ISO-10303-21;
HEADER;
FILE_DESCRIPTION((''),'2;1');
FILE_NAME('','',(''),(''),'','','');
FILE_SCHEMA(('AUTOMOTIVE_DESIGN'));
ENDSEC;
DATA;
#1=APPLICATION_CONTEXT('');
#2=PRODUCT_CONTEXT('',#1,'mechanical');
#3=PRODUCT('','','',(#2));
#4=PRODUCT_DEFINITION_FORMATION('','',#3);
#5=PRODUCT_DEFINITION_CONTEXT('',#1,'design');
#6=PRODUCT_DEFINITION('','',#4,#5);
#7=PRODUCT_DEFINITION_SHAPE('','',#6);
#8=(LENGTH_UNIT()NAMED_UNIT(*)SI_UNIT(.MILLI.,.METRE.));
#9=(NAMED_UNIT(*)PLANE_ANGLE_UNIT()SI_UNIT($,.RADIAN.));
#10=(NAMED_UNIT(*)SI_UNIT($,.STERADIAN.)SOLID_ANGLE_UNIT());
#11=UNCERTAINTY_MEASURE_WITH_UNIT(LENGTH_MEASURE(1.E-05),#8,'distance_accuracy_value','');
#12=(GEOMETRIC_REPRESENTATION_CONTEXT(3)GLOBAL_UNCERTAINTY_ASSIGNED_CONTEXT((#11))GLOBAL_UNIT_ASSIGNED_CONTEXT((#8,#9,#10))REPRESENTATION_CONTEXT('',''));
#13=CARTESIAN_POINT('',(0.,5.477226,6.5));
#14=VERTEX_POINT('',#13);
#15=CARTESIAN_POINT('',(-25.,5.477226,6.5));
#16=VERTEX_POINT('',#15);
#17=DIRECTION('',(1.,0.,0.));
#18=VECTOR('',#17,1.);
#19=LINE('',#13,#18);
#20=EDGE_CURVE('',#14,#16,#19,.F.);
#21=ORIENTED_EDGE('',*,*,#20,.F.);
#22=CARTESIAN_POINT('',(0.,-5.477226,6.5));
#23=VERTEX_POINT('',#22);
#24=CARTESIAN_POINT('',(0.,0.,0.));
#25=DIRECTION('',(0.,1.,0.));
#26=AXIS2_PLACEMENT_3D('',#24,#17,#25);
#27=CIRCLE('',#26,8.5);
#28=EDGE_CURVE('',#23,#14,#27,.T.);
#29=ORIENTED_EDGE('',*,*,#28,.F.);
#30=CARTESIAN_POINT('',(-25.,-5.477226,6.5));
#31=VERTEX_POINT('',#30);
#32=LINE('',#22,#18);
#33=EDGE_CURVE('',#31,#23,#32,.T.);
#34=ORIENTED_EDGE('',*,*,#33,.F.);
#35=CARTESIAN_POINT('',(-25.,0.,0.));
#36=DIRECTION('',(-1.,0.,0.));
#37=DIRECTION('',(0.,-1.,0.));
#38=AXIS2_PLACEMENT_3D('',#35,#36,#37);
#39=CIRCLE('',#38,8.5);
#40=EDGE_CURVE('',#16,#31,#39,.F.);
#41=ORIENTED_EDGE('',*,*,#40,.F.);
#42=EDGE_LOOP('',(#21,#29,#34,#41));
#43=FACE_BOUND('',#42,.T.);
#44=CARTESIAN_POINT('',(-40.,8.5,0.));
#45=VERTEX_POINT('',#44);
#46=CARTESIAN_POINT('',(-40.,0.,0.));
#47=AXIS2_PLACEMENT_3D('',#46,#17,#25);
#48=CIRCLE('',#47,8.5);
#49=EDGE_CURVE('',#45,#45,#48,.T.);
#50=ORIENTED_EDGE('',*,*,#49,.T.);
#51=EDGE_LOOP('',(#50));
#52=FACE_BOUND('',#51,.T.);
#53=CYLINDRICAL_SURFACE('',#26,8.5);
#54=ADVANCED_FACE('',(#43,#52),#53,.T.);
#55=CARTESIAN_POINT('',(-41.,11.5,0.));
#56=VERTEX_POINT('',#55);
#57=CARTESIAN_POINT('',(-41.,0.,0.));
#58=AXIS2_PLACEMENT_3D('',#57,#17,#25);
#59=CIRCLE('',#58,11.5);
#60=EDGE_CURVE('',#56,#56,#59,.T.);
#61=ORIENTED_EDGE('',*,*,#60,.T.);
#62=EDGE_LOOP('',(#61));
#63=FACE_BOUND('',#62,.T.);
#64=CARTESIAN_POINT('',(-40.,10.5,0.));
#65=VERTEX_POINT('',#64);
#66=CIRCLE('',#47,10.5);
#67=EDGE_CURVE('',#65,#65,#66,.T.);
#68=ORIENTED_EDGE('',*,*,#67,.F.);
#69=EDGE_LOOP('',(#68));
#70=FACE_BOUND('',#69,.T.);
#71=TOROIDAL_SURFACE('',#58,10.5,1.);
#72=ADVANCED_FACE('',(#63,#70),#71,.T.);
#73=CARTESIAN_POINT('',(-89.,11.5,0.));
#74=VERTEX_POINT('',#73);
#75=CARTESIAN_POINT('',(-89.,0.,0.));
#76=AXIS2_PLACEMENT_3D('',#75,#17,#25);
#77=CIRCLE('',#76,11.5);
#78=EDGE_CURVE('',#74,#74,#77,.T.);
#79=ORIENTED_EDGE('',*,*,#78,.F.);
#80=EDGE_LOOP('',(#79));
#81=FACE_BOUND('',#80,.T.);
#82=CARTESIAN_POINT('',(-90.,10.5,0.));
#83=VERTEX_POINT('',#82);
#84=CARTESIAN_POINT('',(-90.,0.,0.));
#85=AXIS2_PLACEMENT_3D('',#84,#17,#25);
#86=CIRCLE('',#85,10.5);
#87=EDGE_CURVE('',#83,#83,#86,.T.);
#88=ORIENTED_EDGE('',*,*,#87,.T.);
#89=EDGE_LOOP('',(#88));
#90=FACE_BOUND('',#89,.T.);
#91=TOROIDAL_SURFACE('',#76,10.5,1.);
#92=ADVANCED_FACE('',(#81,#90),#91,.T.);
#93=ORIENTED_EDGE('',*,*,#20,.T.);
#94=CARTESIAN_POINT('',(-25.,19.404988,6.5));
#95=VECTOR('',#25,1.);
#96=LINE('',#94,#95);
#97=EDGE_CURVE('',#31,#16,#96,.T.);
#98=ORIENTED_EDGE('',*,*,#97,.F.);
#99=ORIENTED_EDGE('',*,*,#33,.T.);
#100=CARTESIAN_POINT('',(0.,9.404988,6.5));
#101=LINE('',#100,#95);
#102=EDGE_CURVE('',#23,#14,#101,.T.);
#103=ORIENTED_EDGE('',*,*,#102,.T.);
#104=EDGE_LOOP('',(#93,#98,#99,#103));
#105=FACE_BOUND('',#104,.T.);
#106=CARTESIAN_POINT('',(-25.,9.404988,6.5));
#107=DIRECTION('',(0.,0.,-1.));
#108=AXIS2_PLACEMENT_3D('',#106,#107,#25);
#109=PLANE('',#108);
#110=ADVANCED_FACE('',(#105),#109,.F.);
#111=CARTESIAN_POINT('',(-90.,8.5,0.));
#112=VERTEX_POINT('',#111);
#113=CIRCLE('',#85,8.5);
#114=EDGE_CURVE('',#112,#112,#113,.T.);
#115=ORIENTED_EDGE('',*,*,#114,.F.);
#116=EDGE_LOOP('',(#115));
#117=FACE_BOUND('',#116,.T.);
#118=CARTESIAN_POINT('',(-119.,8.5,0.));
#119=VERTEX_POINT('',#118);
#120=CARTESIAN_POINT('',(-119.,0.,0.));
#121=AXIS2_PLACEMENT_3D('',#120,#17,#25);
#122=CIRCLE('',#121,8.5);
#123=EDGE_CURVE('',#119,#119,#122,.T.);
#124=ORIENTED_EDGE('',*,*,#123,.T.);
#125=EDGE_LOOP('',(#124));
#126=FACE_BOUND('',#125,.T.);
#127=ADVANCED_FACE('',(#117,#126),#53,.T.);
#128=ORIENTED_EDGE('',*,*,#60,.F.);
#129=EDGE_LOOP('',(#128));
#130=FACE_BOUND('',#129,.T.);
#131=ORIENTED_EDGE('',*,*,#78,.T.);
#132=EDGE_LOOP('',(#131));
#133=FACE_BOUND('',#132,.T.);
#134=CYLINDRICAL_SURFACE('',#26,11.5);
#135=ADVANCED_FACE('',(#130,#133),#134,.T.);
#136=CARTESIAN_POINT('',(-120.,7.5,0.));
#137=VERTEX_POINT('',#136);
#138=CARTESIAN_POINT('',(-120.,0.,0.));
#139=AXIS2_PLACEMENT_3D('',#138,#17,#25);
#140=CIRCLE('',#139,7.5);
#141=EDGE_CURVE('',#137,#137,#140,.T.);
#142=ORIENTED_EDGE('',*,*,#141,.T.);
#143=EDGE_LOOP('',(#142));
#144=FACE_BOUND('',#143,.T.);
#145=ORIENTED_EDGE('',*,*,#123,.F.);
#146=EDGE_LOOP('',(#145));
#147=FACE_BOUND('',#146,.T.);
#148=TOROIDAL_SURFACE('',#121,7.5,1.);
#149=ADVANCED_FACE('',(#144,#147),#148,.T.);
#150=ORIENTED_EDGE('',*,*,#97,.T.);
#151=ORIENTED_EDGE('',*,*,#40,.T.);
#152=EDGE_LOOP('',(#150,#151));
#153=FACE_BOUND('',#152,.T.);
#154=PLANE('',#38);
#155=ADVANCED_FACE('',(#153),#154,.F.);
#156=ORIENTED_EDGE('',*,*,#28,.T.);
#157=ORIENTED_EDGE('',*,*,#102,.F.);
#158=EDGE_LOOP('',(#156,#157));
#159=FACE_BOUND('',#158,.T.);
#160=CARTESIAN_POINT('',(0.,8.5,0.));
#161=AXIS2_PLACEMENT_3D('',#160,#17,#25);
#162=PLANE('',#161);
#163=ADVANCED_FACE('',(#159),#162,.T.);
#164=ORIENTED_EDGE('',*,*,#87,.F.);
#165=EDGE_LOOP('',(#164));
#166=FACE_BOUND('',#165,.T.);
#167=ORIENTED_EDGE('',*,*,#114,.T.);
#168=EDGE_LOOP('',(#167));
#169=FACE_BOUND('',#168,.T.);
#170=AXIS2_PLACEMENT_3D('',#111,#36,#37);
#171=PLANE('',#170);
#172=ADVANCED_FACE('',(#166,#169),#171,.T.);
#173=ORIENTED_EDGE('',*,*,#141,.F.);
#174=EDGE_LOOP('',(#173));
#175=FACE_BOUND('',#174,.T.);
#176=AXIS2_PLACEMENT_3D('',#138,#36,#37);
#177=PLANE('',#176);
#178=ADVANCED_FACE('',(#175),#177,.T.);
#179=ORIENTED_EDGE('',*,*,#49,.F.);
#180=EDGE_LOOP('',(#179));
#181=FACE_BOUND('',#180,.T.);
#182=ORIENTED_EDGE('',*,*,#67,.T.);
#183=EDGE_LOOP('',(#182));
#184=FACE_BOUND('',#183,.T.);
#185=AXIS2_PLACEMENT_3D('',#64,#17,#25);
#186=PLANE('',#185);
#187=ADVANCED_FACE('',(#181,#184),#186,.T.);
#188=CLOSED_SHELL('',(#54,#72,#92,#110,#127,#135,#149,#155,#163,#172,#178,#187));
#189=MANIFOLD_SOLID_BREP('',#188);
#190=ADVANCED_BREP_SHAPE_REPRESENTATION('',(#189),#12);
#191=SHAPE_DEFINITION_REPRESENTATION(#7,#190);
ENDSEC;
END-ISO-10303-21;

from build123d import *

# Parameters (mm, degrees)
ENL_V_MAT_EXTRU_6_DEPTH = 25


with BuildPart() as part:
    # Esquisse1 → Révolution1 (revolve)
    with BuildSketch(Plane.XY):
        with BuildLine():
            Line((0, 0), (-120, 0))
            Line((-120, 0), (-120, 7.5))
            ThreePointArc((-120, 7.5), (-119.707106781, 8.207106781), (-119, 8.5))
            Line((-119, 8.5), (-90, 8.5))
            Line((-90, 8.5), (-90, 10.5))
            ThreePointArc((-90, 10.5), (-89.707106781, 11.207106781), (-89, 11.5))
            Line((-89, 11.5), (-41, 11.5))
            ThreePointArc((-41, 11.5), (-40.292893219, 11.207106781), (-40, 10.5))
            Line((-40, 10.5), (-40, 8.5))
            Line((-40, 8.5), (0, 8.5))
            Line((0, 8.5), (0, 0))
        make_face()
    revolve(axis=Axis((0, 0, 0), (-1, 0, 0)))

    # Esquisse6 → Enlèv. mat.-Extru.6 (cut)
    with BuildSketch(Plane(origin=(0, 0, 0), x_dir=(0, 0, -1), z_dir=(1, 0, 0))):
        Polygon((-6.5, 9.404987847), (-6.5, -10.595012153), (-12.325260954, -10.595012153), (-12.325260954, 19.404987847), (-6.5, 19.404987847), align=None)
    extrude(amount=-ENL_V_MAT_EXTRU_6_DEPTH, mode=Mode.SUBTRACT)


solid = part.part
